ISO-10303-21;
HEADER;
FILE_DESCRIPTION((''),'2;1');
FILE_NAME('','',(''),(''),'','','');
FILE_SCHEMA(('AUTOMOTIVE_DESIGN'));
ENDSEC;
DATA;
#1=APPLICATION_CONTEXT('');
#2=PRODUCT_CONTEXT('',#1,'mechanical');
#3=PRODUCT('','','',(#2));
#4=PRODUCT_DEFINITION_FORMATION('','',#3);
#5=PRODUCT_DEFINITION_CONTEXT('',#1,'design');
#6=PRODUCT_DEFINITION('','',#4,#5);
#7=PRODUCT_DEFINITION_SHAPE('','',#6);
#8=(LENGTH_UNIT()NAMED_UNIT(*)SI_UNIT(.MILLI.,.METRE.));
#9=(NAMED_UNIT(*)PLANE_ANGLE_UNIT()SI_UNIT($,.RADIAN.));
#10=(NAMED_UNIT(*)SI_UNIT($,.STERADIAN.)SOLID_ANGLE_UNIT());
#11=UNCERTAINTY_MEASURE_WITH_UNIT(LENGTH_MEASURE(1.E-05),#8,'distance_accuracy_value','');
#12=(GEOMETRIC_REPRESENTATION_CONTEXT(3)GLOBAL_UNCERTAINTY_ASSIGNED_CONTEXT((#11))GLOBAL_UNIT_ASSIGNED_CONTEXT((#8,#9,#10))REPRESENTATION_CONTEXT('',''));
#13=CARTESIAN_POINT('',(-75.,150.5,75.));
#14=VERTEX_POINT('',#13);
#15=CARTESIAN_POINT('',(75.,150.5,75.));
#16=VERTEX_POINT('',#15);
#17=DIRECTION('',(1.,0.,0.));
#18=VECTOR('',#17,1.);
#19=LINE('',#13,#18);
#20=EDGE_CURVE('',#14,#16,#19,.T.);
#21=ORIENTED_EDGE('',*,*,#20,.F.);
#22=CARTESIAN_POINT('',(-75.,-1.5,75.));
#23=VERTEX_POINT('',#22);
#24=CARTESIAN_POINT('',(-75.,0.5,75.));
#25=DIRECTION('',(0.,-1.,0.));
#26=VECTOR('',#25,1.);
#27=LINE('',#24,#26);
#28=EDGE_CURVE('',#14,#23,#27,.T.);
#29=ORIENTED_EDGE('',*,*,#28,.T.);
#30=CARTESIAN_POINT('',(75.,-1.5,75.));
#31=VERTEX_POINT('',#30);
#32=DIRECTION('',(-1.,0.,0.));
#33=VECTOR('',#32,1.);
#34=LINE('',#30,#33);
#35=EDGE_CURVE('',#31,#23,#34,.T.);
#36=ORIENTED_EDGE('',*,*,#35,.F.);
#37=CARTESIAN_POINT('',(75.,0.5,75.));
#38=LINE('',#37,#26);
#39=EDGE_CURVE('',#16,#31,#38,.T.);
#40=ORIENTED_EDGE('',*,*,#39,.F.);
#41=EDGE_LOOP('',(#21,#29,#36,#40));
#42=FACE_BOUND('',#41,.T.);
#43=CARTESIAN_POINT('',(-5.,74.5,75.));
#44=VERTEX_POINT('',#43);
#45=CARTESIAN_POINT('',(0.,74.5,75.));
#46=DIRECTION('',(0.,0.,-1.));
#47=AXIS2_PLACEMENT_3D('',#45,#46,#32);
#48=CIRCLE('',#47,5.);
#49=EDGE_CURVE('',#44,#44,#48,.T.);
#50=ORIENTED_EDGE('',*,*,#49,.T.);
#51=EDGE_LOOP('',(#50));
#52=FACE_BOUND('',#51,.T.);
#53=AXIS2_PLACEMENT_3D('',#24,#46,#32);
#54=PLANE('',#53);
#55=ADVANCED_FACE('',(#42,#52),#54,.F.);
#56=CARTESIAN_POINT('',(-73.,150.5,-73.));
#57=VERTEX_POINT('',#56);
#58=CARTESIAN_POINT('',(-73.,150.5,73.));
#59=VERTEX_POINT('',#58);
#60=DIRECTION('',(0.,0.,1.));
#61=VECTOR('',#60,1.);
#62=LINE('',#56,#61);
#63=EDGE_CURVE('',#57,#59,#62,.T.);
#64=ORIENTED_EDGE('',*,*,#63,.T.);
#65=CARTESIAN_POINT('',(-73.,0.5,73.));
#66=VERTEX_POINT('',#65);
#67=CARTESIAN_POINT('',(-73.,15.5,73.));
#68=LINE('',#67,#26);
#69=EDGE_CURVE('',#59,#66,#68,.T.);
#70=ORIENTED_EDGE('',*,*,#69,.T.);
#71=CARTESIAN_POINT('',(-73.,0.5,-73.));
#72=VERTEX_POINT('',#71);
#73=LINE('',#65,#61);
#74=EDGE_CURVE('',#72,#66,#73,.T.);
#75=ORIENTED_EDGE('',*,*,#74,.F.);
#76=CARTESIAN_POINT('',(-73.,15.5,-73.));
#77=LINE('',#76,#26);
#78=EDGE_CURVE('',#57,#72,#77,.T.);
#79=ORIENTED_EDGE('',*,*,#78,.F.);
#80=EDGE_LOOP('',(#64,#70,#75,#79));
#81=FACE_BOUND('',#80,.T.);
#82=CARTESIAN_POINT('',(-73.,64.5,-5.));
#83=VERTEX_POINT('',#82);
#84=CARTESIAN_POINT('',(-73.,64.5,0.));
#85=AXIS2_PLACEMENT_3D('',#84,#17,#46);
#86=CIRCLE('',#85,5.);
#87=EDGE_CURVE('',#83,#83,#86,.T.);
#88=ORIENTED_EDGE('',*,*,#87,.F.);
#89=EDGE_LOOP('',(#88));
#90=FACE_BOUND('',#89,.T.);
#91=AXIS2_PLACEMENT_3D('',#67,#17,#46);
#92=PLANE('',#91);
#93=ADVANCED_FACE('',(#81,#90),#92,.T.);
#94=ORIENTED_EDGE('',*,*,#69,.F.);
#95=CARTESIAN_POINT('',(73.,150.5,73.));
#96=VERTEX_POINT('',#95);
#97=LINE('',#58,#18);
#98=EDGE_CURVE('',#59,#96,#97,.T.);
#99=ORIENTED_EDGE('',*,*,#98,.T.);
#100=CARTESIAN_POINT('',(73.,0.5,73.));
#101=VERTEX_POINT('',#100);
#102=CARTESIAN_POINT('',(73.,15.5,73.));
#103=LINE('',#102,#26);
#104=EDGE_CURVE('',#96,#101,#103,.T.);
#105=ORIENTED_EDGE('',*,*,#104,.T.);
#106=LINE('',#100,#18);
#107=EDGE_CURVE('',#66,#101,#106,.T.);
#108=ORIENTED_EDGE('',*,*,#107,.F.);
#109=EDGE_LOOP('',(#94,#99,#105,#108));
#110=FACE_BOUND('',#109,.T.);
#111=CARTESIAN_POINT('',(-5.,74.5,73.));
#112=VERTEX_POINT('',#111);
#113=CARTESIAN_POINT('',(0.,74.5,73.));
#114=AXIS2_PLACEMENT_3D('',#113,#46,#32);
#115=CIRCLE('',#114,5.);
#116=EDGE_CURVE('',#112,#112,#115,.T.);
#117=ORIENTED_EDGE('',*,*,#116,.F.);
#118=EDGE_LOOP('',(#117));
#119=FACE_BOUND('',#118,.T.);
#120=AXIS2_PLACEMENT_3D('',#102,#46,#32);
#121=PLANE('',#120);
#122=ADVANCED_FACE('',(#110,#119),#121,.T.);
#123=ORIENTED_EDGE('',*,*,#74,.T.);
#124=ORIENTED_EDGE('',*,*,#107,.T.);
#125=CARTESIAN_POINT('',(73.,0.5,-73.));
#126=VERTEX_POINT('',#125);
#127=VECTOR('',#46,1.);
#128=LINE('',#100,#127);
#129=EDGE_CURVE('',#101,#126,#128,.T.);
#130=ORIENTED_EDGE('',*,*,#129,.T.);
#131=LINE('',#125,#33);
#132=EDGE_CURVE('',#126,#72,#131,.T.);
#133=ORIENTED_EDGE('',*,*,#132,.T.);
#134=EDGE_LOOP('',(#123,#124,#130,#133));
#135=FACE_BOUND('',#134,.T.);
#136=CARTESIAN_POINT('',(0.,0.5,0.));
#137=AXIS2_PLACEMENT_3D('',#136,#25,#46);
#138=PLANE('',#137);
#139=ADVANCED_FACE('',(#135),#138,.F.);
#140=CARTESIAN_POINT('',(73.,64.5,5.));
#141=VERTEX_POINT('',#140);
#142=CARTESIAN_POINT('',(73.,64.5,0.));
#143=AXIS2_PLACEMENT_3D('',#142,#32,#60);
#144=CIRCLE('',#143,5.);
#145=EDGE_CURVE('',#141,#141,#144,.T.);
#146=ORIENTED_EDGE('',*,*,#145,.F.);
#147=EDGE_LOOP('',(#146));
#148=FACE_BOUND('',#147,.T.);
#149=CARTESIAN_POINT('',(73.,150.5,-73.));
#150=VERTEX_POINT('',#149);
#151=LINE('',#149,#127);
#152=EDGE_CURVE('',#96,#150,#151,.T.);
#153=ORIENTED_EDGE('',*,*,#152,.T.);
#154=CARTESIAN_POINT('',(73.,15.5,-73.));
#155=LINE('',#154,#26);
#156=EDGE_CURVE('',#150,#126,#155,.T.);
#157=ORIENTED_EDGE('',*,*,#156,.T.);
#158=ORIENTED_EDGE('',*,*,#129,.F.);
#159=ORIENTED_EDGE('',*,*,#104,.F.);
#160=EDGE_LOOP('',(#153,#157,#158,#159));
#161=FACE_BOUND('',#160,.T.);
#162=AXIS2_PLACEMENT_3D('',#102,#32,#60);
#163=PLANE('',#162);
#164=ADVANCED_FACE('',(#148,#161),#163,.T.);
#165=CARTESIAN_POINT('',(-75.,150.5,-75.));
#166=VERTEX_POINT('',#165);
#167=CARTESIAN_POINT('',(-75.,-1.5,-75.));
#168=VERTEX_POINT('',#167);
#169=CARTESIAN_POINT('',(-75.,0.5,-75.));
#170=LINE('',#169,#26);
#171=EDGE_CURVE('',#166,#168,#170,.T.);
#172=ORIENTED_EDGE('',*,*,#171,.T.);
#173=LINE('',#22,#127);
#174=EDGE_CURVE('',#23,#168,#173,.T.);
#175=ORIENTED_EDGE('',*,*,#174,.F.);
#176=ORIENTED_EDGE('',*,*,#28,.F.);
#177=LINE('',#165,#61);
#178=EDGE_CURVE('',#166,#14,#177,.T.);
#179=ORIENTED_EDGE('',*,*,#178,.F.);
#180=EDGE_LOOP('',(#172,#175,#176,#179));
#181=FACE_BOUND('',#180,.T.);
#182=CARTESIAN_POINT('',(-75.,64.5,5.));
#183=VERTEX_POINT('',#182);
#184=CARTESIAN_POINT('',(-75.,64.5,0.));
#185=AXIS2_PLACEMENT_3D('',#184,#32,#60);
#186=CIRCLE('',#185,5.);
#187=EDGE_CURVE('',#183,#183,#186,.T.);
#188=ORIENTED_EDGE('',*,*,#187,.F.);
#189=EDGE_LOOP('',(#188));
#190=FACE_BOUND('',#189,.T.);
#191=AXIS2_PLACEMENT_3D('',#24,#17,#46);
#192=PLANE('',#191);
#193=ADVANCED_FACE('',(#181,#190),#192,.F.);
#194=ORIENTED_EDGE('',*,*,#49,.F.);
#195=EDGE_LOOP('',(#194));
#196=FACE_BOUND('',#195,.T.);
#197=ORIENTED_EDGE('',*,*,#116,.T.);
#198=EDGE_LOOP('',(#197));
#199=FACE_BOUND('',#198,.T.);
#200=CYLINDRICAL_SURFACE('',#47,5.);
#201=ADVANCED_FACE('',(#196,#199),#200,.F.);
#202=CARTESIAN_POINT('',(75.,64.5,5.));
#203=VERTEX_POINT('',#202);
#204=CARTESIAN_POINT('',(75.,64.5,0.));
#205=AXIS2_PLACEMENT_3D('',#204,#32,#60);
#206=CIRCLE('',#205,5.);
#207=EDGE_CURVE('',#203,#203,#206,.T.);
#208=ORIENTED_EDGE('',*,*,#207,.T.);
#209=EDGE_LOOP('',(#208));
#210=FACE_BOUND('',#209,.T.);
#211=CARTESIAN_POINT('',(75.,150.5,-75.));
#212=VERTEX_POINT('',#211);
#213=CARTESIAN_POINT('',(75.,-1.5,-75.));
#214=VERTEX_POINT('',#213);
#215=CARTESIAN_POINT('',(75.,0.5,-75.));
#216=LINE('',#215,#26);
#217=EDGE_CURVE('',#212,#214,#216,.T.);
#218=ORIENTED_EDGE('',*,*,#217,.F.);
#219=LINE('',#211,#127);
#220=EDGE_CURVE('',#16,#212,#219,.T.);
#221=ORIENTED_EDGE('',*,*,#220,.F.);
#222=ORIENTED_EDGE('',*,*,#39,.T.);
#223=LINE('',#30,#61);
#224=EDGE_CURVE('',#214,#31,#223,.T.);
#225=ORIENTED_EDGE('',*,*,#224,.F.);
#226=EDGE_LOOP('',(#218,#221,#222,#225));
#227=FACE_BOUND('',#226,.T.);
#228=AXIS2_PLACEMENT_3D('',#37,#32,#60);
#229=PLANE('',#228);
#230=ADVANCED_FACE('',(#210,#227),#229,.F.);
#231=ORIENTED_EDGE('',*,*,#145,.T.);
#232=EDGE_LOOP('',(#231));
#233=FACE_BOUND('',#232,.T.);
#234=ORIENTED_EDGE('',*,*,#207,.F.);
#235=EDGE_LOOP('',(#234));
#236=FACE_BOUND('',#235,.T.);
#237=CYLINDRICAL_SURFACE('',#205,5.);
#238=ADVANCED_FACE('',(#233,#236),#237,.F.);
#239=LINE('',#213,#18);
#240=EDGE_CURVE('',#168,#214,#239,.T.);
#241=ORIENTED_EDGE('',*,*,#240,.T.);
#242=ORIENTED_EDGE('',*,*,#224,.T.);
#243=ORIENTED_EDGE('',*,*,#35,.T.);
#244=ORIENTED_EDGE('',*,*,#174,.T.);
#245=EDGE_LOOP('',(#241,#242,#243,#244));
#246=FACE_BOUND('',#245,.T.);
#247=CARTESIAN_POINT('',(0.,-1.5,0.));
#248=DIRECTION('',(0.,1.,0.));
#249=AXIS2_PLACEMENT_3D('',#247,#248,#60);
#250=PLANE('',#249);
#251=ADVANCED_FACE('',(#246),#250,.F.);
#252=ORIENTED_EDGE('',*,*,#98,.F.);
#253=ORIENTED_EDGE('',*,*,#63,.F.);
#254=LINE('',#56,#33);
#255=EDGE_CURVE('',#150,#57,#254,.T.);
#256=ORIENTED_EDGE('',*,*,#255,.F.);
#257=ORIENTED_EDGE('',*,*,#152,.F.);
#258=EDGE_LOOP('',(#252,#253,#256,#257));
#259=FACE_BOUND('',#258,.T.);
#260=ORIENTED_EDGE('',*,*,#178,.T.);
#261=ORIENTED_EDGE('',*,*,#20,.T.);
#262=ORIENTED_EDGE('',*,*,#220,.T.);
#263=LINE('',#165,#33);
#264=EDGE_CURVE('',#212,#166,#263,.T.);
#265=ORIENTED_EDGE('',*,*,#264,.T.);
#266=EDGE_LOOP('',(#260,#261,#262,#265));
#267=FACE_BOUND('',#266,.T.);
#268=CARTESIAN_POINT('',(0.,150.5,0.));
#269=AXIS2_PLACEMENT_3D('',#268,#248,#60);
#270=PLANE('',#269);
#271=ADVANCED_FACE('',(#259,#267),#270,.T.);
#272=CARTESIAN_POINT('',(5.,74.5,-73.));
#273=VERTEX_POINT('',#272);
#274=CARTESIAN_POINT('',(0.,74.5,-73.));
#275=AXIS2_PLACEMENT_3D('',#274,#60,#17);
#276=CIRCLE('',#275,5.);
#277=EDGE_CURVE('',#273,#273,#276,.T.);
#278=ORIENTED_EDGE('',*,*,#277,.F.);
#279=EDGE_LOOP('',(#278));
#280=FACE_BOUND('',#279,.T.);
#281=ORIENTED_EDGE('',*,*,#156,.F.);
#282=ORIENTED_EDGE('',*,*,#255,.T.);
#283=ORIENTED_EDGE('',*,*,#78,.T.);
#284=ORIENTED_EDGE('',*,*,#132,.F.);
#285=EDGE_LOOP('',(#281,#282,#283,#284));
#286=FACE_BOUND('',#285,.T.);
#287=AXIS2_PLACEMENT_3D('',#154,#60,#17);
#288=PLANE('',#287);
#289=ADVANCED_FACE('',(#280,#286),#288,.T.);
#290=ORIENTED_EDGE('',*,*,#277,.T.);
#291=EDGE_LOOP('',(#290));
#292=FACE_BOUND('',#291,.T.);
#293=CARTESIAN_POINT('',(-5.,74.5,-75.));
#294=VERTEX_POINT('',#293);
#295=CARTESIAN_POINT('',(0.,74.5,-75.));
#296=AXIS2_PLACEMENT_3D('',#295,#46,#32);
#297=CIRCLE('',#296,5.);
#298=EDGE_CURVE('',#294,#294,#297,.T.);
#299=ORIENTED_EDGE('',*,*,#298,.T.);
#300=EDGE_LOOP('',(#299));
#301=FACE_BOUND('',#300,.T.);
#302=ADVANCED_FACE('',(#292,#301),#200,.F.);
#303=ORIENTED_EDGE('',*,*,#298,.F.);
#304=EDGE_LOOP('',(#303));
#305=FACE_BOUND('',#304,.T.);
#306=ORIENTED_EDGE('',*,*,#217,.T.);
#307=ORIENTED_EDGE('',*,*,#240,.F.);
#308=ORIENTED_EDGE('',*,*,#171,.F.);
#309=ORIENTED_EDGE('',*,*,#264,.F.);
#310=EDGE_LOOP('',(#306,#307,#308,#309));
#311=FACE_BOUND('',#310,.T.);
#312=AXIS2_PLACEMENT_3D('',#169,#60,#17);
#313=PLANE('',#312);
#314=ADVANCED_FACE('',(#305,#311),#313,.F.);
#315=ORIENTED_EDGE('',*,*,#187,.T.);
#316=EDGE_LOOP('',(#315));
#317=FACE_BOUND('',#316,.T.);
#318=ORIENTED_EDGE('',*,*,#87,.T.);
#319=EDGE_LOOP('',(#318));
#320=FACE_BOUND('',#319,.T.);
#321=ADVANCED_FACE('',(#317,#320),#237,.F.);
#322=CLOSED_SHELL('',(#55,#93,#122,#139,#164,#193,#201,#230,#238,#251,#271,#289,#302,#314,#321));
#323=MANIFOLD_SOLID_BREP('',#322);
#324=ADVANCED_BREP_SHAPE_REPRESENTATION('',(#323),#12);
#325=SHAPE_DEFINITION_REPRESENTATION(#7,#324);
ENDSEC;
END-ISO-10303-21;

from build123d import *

# Parameters (mm, degrees)
SKETCH1_W           = 150
SKETCH1_H           = 150
BOSS_EXTRUDE1_DEPTH = 0.5
SKETCH2_W           = 150
SKETCH2_H           = 150
SKETCH2_W_2         = 146
SKETCH2_H_2         = 146
BOSS_EXTRUDE2_DEPTH = 15
SKETCH6_W           = 150
SKETCH6_H           = 150
SKETCH6_W_2         = 146
SKETCH6_H_2         = 146
BOSS_EXTRUDE4_DEPTH = 135
SKETCH7_W           = 150
SKETCH7_H           = 150
BOSS_EXTRUDE5_DEPTH = 1.5
SKETCH8_R           = 5
CUT_EXTRUDE1_DEPTH  = 226.333641519
SKETCH9_R           = 5
CUT_EXTRUDE2_DEPTH  = 226.333641519


with BuildPart() as part:
    # Sketch1 → Boss-Extrude1 (new body)
    with BuildSketch(Plane(origin=(0, 0, 0), x_dir=(1, 0, 0), z_dir=(0, 1, 0))):
        Rectangle(SKETCH1_W, SKETCH1_H)
    extrude(amount=BOSS_EXTRUDE1_DEPTH)

    # Sketch2 → Boss-Extrude2 (add)
    with BuildSketch(Plane(origin=(0, 0.5, 0), x_dir=(1, 0, 0), z_dir=(0, 1, 0))):
        Rectangle(SKETCH2_W, SKETCH2_H)
        Rectangle(SKETCH2_W_2, SKETCH2_H_2, mode=Mode.SUBTRACT)
    extrude(amount=BOSS_EXTRUDE2_DEPTH)

    # Sketch6 → Boss-Extrude4 (add)
    with BuildSketch(Plane(origin=(0, 15.5, 0), x_dir=(1, 0, 0), z_dir=(0, 1, 0))):
        Rectangle(SKETCH6_W, SKETCH6_H)
        Rectangle(SKETCH6_W_2, SKETCH6_H_2, mode=Mode.SUBTRACT)
    extrude(amount=BOSS_EXTRUDE4_DEPTH)

    # Sketch7 → Boss-Extrude5 (add)
    with BuildSketch(Plane.XZ):
        Rectangle(SKETCH7_W, SKETCH7_H)
    extrude(amount=BOSS_EXTRUDE5_DEPTH)

    # Sketch8 → Cut-Extrude1 (cut, through all)
    with BuildSketch(Plane(origin=(0, 0, -75), x_dir=(-1, 0, 0), z_dir=(0, 0, -1))):
        with Locations((0, 74.5)):
            Circle(SKETCH8_R)
    extrude(amount=-CUT_EXTRUDE1_DEPTH, mode=Mode.SUBTRACT)

    # Sketch9 → Cut-Extrude2 (cut, through all)
    with BuildSketch(Plane.ZY.offset(75)):
        with Locations((0, 64.5)):
            Circle(SKETCH9_R)
    extrude(amount=-CUT_EXTRUDE2_DEPTH, mode=Mode.SUBTRACT)


solid = part.part
